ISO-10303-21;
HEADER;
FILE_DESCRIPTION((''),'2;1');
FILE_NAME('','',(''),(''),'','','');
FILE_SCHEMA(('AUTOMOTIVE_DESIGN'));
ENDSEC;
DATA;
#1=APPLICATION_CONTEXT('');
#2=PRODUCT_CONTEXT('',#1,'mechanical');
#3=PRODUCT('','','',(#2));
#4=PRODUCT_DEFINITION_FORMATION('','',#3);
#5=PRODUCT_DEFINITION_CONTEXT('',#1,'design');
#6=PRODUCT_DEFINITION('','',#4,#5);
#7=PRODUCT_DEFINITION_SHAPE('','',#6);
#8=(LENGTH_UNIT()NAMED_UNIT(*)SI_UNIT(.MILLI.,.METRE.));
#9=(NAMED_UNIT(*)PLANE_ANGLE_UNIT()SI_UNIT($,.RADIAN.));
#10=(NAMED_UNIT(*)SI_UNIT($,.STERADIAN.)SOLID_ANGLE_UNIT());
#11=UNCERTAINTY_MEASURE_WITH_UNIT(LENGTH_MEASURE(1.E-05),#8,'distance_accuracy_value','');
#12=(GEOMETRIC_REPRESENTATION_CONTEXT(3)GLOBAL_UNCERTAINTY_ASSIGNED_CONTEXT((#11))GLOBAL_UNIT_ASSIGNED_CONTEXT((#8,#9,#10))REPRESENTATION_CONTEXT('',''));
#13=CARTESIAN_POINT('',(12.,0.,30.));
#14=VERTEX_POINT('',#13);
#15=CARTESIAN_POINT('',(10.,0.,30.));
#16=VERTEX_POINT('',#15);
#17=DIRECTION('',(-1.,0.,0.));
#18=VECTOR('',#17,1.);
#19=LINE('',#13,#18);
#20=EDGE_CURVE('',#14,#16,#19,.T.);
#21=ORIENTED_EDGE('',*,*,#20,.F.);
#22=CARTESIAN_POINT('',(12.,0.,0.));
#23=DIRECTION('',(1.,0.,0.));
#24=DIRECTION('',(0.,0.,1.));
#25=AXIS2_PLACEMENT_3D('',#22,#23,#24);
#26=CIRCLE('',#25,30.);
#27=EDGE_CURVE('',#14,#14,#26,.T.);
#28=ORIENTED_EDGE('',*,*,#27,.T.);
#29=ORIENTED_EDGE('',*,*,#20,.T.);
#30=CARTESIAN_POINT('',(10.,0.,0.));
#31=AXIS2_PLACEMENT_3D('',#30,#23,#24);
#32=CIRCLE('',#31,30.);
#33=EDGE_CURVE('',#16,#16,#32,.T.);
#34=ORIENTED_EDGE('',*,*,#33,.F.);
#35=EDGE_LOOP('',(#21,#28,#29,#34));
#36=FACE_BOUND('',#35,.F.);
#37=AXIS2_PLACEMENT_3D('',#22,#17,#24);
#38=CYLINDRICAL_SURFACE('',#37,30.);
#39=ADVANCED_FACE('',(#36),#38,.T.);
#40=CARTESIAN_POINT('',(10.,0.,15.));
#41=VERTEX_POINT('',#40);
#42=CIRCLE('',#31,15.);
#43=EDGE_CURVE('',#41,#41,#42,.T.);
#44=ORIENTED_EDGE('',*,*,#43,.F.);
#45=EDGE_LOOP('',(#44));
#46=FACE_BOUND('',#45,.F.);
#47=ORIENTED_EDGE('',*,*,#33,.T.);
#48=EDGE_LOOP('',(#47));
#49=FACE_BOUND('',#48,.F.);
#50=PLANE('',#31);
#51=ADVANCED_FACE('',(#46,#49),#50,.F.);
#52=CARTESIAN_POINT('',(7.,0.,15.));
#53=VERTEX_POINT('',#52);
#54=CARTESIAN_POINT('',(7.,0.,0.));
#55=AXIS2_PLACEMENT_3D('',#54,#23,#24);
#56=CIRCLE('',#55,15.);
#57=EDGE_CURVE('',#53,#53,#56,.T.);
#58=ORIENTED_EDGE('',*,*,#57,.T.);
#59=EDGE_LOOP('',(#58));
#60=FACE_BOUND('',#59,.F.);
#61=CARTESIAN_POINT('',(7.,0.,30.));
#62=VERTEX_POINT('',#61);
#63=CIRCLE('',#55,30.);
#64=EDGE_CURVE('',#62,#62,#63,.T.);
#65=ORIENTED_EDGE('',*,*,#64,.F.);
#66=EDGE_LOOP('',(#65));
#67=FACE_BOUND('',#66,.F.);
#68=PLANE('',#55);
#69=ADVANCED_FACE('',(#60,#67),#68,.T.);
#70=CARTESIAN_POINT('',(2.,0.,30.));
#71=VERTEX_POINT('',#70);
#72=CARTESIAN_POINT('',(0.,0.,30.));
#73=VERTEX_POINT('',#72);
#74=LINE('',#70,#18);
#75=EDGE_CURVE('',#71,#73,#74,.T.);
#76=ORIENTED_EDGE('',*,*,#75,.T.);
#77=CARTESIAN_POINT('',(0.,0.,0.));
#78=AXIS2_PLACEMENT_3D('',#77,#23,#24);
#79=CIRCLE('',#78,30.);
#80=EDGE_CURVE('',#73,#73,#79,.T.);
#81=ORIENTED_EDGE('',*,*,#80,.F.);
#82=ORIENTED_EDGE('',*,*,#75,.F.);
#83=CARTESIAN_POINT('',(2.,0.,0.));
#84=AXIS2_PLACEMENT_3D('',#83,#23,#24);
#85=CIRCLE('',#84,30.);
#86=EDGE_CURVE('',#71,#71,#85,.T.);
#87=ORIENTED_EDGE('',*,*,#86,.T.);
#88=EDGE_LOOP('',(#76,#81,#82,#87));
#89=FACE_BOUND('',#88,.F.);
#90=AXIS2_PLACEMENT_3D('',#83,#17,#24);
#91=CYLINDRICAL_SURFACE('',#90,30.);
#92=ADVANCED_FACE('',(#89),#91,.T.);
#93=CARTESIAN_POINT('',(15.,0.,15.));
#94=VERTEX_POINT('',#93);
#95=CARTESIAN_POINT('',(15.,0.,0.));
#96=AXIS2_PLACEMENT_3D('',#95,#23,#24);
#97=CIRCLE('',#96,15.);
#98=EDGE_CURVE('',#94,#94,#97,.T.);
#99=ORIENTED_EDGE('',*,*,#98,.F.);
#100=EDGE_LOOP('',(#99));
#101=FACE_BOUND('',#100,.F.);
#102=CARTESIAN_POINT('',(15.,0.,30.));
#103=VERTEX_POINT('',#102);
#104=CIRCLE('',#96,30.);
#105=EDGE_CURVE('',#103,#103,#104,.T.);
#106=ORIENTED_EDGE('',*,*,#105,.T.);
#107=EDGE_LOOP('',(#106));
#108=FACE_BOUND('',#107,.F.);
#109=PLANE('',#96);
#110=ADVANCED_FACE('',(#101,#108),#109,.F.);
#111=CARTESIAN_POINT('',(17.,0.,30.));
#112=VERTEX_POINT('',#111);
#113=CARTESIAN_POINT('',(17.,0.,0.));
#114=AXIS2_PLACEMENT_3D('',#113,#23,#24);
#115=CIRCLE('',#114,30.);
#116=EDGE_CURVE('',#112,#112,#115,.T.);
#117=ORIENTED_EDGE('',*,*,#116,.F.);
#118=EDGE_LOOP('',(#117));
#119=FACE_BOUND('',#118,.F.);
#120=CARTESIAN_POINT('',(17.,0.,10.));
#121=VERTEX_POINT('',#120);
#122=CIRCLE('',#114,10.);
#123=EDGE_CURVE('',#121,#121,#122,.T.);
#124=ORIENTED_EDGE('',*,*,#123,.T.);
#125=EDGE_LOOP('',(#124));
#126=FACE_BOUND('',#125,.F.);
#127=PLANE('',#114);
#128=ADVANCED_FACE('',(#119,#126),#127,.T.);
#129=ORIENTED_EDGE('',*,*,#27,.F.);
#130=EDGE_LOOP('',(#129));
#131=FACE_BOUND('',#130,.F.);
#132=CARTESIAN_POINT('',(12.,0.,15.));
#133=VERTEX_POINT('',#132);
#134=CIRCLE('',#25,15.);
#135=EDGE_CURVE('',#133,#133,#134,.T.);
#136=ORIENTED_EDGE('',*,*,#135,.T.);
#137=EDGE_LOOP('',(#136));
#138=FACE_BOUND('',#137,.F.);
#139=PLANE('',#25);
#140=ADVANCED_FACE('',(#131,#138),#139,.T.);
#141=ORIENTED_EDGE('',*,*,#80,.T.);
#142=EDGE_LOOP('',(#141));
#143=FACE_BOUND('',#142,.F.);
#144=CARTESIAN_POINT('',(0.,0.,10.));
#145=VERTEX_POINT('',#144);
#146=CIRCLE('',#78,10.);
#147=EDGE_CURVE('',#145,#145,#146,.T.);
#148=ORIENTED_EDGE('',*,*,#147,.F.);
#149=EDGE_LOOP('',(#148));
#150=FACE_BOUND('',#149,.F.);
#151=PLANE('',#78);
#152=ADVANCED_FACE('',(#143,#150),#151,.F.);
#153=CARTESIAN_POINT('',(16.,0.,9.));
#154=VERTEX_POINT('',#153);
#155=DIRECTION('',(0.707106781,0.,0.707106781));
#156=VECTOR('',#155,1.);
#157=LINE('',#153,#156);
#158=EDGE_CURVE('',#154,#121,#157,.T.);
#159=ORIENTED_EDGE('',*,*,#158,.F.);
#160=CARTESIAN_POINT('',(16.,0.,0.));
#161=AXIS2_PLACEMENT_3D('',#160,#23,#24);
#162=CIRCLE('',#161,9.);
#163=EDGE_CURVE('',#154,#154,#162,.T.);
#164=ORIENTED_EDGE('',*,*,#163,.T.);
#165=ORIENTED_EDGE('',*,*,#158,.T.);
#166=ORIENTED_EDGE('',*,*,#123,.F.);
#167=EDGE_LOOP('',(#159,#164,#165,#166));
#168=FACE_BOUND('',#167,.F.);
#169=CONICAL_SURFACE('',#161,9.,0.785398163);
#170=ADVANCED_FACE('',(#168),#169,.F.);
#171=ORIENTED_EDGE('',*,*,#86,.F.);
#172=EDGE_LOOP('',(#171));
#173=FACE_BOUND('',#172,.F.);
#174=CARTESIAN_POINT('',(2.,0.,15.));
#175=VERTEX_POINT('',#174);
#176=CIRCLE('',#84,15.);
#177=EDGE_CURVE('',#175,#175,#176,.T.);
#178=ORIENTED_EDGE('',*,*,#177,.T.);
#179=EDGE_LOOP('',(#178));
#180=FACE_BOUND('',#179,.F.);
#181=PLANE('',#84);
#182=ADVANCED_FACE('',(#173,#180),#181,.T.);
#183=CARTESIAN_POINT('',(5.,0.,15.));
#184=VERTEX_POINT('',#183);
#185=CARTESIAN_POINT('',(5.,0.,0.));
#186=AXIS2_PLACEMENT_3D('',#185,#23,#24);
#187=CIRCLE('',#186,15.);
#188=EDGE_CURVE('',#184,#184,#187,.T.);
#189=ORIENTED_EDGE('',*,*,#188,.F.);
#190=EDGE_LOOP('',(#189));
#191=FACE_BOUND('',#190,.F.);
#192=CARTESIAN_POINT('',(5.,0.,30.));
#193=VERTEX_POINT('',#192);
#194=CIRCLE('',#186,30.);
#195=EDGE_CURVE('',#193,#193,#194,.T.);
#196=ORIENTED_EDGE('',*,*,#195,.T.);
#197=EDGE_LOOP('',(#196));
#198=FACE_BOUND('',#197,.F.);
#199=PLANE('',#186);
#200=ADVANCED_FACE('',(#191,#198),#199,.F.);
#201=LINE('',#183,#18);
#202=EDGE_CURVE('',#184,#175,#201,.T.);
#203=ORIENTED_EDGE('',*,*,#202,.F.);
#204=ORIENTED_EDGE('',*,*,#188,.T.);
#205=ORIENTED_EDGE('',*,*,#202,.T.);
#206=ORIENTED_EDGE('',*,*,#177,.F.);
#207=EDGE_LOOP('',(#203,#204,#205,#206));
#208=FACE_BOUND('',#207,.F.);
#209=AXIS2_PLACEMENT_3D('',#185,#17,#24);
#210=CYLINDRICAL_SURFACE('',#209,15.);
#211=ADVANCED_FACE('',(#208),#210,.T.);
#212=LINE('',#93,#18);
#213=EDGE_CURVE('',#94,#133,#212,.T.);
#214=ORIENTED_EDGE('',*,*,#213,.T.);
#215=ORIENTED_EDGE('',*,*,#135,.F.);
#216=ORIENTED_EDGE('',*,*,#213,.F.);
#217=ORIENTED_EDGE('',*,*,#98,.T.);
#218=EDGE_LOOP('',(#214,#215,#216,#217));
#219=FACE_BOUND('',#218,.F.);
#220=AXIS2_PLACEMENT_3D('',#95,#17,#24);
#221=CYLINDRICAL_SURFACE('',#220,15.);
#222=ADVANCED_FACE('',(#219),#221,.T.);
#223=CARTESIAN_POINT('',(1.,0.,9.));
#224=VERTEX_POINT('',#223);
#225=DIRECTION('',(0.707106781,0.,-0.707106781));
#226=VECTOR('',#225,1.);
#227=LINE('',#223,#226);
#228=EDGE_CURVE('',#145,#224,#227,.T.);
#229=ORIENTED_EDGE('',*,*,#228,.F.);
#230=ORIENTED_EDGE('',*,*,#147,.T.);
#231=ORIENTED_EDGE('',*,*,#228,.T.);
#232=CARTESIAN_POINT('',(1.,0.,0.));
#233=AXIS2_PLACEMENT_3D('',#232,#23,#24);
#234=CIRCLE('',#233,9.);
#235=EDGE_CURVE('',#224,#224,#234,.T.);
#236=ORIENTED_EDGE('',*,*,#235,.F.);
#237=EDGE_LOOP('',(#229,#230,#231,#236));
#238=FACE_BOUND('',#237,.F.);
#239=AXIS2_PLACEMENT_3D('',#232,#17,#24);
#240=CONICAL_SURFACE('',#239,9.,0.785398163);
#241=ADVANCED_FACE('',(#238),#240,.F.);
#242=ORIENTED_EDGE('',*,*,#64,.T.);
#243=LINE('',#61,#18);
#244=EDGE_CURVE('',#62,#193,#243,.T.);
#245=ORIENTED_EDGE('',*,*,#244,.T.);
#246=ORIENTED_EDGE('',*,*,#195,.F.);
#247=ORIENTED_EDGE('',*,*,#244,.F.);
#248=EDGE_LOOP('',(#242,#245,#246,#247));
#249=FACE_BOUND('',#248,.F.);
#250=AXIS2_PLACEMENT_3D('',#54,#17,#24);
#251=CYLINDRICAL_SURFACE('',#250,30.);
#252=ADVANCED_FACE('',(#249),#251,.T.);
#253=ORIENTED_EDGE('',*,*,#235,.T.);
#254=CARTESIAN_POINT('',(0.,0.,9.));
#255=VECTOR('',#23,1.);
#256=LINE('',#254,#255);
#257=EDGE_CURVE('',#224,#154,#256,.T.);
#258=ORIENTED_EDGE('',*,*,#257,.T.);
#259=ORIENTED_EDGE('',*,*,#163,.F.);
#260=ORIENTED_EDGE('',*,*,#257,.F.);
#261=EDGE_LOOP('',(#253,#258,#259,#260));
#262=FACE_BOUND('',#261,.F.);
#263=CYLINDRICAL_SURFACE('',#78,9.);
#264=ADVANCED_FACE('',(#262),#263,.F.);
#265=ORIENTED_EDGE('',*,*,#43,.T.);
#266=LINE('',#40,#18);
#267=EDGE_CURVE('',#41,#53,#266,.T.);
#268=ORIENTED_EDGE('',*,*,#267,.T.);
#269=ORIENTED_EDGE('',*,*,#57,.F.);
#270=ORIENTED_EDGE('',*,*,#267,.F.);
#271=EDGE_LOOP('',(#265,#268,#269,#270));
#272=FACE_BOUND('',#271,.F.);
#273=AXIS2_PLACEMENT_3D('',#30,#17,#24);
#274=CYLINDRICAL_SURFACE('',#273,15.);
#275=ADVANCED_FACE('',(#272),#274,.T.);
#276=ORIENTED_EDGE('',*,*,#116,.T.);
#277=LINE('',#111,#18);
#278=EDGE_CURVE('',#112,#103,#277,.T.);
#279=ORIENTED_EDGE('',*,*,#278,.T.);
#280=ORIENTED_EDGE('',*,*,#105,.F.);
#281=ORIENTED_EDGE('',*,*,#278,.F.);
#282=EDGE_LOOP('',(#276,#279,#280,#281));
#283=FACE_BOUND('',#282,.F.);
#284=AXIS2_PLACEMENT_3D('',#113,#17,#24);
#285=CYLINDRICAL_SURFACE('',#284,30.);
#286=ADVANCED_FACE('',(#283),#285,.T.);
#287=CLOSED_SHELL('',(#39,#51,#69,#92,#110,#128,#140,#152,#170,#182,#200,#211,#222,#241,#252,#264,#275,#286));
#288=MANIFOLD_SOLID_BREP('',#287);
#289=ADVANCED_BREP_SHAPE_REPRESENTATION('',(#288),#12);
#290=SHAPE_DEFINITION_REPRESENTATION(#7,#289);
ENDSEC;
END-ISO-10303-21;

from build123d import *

# Parameters (mm, degrees)
F2_SIZE = 1


with BuildPart() as f1:
    # F0 (on Front) → F1 (revolve)
    with BuildSketch(Plane.XZ):
        Polygon((0, 30), (0, 9), (17, 9), (17, 30), (15, 30), (15, 15), (12, 15), (12, 30), (10, 30), (10, 15), (7, 15), (7, 30), (5, 30), (5, 15), (2, 15), (2, 30), align=None)
    revolve(axis=Axis((32.809981, 0, 0), (1, 0, 0)))

    # F2
    f2_edges = [f1.edges().sort_by_distance(p)[0] for p in [
        (0, 0, -9),
        (17, 0, -9),
    ]]
    chamfer(f2_edges, length=F2_SIZE)


solid = f1.part
